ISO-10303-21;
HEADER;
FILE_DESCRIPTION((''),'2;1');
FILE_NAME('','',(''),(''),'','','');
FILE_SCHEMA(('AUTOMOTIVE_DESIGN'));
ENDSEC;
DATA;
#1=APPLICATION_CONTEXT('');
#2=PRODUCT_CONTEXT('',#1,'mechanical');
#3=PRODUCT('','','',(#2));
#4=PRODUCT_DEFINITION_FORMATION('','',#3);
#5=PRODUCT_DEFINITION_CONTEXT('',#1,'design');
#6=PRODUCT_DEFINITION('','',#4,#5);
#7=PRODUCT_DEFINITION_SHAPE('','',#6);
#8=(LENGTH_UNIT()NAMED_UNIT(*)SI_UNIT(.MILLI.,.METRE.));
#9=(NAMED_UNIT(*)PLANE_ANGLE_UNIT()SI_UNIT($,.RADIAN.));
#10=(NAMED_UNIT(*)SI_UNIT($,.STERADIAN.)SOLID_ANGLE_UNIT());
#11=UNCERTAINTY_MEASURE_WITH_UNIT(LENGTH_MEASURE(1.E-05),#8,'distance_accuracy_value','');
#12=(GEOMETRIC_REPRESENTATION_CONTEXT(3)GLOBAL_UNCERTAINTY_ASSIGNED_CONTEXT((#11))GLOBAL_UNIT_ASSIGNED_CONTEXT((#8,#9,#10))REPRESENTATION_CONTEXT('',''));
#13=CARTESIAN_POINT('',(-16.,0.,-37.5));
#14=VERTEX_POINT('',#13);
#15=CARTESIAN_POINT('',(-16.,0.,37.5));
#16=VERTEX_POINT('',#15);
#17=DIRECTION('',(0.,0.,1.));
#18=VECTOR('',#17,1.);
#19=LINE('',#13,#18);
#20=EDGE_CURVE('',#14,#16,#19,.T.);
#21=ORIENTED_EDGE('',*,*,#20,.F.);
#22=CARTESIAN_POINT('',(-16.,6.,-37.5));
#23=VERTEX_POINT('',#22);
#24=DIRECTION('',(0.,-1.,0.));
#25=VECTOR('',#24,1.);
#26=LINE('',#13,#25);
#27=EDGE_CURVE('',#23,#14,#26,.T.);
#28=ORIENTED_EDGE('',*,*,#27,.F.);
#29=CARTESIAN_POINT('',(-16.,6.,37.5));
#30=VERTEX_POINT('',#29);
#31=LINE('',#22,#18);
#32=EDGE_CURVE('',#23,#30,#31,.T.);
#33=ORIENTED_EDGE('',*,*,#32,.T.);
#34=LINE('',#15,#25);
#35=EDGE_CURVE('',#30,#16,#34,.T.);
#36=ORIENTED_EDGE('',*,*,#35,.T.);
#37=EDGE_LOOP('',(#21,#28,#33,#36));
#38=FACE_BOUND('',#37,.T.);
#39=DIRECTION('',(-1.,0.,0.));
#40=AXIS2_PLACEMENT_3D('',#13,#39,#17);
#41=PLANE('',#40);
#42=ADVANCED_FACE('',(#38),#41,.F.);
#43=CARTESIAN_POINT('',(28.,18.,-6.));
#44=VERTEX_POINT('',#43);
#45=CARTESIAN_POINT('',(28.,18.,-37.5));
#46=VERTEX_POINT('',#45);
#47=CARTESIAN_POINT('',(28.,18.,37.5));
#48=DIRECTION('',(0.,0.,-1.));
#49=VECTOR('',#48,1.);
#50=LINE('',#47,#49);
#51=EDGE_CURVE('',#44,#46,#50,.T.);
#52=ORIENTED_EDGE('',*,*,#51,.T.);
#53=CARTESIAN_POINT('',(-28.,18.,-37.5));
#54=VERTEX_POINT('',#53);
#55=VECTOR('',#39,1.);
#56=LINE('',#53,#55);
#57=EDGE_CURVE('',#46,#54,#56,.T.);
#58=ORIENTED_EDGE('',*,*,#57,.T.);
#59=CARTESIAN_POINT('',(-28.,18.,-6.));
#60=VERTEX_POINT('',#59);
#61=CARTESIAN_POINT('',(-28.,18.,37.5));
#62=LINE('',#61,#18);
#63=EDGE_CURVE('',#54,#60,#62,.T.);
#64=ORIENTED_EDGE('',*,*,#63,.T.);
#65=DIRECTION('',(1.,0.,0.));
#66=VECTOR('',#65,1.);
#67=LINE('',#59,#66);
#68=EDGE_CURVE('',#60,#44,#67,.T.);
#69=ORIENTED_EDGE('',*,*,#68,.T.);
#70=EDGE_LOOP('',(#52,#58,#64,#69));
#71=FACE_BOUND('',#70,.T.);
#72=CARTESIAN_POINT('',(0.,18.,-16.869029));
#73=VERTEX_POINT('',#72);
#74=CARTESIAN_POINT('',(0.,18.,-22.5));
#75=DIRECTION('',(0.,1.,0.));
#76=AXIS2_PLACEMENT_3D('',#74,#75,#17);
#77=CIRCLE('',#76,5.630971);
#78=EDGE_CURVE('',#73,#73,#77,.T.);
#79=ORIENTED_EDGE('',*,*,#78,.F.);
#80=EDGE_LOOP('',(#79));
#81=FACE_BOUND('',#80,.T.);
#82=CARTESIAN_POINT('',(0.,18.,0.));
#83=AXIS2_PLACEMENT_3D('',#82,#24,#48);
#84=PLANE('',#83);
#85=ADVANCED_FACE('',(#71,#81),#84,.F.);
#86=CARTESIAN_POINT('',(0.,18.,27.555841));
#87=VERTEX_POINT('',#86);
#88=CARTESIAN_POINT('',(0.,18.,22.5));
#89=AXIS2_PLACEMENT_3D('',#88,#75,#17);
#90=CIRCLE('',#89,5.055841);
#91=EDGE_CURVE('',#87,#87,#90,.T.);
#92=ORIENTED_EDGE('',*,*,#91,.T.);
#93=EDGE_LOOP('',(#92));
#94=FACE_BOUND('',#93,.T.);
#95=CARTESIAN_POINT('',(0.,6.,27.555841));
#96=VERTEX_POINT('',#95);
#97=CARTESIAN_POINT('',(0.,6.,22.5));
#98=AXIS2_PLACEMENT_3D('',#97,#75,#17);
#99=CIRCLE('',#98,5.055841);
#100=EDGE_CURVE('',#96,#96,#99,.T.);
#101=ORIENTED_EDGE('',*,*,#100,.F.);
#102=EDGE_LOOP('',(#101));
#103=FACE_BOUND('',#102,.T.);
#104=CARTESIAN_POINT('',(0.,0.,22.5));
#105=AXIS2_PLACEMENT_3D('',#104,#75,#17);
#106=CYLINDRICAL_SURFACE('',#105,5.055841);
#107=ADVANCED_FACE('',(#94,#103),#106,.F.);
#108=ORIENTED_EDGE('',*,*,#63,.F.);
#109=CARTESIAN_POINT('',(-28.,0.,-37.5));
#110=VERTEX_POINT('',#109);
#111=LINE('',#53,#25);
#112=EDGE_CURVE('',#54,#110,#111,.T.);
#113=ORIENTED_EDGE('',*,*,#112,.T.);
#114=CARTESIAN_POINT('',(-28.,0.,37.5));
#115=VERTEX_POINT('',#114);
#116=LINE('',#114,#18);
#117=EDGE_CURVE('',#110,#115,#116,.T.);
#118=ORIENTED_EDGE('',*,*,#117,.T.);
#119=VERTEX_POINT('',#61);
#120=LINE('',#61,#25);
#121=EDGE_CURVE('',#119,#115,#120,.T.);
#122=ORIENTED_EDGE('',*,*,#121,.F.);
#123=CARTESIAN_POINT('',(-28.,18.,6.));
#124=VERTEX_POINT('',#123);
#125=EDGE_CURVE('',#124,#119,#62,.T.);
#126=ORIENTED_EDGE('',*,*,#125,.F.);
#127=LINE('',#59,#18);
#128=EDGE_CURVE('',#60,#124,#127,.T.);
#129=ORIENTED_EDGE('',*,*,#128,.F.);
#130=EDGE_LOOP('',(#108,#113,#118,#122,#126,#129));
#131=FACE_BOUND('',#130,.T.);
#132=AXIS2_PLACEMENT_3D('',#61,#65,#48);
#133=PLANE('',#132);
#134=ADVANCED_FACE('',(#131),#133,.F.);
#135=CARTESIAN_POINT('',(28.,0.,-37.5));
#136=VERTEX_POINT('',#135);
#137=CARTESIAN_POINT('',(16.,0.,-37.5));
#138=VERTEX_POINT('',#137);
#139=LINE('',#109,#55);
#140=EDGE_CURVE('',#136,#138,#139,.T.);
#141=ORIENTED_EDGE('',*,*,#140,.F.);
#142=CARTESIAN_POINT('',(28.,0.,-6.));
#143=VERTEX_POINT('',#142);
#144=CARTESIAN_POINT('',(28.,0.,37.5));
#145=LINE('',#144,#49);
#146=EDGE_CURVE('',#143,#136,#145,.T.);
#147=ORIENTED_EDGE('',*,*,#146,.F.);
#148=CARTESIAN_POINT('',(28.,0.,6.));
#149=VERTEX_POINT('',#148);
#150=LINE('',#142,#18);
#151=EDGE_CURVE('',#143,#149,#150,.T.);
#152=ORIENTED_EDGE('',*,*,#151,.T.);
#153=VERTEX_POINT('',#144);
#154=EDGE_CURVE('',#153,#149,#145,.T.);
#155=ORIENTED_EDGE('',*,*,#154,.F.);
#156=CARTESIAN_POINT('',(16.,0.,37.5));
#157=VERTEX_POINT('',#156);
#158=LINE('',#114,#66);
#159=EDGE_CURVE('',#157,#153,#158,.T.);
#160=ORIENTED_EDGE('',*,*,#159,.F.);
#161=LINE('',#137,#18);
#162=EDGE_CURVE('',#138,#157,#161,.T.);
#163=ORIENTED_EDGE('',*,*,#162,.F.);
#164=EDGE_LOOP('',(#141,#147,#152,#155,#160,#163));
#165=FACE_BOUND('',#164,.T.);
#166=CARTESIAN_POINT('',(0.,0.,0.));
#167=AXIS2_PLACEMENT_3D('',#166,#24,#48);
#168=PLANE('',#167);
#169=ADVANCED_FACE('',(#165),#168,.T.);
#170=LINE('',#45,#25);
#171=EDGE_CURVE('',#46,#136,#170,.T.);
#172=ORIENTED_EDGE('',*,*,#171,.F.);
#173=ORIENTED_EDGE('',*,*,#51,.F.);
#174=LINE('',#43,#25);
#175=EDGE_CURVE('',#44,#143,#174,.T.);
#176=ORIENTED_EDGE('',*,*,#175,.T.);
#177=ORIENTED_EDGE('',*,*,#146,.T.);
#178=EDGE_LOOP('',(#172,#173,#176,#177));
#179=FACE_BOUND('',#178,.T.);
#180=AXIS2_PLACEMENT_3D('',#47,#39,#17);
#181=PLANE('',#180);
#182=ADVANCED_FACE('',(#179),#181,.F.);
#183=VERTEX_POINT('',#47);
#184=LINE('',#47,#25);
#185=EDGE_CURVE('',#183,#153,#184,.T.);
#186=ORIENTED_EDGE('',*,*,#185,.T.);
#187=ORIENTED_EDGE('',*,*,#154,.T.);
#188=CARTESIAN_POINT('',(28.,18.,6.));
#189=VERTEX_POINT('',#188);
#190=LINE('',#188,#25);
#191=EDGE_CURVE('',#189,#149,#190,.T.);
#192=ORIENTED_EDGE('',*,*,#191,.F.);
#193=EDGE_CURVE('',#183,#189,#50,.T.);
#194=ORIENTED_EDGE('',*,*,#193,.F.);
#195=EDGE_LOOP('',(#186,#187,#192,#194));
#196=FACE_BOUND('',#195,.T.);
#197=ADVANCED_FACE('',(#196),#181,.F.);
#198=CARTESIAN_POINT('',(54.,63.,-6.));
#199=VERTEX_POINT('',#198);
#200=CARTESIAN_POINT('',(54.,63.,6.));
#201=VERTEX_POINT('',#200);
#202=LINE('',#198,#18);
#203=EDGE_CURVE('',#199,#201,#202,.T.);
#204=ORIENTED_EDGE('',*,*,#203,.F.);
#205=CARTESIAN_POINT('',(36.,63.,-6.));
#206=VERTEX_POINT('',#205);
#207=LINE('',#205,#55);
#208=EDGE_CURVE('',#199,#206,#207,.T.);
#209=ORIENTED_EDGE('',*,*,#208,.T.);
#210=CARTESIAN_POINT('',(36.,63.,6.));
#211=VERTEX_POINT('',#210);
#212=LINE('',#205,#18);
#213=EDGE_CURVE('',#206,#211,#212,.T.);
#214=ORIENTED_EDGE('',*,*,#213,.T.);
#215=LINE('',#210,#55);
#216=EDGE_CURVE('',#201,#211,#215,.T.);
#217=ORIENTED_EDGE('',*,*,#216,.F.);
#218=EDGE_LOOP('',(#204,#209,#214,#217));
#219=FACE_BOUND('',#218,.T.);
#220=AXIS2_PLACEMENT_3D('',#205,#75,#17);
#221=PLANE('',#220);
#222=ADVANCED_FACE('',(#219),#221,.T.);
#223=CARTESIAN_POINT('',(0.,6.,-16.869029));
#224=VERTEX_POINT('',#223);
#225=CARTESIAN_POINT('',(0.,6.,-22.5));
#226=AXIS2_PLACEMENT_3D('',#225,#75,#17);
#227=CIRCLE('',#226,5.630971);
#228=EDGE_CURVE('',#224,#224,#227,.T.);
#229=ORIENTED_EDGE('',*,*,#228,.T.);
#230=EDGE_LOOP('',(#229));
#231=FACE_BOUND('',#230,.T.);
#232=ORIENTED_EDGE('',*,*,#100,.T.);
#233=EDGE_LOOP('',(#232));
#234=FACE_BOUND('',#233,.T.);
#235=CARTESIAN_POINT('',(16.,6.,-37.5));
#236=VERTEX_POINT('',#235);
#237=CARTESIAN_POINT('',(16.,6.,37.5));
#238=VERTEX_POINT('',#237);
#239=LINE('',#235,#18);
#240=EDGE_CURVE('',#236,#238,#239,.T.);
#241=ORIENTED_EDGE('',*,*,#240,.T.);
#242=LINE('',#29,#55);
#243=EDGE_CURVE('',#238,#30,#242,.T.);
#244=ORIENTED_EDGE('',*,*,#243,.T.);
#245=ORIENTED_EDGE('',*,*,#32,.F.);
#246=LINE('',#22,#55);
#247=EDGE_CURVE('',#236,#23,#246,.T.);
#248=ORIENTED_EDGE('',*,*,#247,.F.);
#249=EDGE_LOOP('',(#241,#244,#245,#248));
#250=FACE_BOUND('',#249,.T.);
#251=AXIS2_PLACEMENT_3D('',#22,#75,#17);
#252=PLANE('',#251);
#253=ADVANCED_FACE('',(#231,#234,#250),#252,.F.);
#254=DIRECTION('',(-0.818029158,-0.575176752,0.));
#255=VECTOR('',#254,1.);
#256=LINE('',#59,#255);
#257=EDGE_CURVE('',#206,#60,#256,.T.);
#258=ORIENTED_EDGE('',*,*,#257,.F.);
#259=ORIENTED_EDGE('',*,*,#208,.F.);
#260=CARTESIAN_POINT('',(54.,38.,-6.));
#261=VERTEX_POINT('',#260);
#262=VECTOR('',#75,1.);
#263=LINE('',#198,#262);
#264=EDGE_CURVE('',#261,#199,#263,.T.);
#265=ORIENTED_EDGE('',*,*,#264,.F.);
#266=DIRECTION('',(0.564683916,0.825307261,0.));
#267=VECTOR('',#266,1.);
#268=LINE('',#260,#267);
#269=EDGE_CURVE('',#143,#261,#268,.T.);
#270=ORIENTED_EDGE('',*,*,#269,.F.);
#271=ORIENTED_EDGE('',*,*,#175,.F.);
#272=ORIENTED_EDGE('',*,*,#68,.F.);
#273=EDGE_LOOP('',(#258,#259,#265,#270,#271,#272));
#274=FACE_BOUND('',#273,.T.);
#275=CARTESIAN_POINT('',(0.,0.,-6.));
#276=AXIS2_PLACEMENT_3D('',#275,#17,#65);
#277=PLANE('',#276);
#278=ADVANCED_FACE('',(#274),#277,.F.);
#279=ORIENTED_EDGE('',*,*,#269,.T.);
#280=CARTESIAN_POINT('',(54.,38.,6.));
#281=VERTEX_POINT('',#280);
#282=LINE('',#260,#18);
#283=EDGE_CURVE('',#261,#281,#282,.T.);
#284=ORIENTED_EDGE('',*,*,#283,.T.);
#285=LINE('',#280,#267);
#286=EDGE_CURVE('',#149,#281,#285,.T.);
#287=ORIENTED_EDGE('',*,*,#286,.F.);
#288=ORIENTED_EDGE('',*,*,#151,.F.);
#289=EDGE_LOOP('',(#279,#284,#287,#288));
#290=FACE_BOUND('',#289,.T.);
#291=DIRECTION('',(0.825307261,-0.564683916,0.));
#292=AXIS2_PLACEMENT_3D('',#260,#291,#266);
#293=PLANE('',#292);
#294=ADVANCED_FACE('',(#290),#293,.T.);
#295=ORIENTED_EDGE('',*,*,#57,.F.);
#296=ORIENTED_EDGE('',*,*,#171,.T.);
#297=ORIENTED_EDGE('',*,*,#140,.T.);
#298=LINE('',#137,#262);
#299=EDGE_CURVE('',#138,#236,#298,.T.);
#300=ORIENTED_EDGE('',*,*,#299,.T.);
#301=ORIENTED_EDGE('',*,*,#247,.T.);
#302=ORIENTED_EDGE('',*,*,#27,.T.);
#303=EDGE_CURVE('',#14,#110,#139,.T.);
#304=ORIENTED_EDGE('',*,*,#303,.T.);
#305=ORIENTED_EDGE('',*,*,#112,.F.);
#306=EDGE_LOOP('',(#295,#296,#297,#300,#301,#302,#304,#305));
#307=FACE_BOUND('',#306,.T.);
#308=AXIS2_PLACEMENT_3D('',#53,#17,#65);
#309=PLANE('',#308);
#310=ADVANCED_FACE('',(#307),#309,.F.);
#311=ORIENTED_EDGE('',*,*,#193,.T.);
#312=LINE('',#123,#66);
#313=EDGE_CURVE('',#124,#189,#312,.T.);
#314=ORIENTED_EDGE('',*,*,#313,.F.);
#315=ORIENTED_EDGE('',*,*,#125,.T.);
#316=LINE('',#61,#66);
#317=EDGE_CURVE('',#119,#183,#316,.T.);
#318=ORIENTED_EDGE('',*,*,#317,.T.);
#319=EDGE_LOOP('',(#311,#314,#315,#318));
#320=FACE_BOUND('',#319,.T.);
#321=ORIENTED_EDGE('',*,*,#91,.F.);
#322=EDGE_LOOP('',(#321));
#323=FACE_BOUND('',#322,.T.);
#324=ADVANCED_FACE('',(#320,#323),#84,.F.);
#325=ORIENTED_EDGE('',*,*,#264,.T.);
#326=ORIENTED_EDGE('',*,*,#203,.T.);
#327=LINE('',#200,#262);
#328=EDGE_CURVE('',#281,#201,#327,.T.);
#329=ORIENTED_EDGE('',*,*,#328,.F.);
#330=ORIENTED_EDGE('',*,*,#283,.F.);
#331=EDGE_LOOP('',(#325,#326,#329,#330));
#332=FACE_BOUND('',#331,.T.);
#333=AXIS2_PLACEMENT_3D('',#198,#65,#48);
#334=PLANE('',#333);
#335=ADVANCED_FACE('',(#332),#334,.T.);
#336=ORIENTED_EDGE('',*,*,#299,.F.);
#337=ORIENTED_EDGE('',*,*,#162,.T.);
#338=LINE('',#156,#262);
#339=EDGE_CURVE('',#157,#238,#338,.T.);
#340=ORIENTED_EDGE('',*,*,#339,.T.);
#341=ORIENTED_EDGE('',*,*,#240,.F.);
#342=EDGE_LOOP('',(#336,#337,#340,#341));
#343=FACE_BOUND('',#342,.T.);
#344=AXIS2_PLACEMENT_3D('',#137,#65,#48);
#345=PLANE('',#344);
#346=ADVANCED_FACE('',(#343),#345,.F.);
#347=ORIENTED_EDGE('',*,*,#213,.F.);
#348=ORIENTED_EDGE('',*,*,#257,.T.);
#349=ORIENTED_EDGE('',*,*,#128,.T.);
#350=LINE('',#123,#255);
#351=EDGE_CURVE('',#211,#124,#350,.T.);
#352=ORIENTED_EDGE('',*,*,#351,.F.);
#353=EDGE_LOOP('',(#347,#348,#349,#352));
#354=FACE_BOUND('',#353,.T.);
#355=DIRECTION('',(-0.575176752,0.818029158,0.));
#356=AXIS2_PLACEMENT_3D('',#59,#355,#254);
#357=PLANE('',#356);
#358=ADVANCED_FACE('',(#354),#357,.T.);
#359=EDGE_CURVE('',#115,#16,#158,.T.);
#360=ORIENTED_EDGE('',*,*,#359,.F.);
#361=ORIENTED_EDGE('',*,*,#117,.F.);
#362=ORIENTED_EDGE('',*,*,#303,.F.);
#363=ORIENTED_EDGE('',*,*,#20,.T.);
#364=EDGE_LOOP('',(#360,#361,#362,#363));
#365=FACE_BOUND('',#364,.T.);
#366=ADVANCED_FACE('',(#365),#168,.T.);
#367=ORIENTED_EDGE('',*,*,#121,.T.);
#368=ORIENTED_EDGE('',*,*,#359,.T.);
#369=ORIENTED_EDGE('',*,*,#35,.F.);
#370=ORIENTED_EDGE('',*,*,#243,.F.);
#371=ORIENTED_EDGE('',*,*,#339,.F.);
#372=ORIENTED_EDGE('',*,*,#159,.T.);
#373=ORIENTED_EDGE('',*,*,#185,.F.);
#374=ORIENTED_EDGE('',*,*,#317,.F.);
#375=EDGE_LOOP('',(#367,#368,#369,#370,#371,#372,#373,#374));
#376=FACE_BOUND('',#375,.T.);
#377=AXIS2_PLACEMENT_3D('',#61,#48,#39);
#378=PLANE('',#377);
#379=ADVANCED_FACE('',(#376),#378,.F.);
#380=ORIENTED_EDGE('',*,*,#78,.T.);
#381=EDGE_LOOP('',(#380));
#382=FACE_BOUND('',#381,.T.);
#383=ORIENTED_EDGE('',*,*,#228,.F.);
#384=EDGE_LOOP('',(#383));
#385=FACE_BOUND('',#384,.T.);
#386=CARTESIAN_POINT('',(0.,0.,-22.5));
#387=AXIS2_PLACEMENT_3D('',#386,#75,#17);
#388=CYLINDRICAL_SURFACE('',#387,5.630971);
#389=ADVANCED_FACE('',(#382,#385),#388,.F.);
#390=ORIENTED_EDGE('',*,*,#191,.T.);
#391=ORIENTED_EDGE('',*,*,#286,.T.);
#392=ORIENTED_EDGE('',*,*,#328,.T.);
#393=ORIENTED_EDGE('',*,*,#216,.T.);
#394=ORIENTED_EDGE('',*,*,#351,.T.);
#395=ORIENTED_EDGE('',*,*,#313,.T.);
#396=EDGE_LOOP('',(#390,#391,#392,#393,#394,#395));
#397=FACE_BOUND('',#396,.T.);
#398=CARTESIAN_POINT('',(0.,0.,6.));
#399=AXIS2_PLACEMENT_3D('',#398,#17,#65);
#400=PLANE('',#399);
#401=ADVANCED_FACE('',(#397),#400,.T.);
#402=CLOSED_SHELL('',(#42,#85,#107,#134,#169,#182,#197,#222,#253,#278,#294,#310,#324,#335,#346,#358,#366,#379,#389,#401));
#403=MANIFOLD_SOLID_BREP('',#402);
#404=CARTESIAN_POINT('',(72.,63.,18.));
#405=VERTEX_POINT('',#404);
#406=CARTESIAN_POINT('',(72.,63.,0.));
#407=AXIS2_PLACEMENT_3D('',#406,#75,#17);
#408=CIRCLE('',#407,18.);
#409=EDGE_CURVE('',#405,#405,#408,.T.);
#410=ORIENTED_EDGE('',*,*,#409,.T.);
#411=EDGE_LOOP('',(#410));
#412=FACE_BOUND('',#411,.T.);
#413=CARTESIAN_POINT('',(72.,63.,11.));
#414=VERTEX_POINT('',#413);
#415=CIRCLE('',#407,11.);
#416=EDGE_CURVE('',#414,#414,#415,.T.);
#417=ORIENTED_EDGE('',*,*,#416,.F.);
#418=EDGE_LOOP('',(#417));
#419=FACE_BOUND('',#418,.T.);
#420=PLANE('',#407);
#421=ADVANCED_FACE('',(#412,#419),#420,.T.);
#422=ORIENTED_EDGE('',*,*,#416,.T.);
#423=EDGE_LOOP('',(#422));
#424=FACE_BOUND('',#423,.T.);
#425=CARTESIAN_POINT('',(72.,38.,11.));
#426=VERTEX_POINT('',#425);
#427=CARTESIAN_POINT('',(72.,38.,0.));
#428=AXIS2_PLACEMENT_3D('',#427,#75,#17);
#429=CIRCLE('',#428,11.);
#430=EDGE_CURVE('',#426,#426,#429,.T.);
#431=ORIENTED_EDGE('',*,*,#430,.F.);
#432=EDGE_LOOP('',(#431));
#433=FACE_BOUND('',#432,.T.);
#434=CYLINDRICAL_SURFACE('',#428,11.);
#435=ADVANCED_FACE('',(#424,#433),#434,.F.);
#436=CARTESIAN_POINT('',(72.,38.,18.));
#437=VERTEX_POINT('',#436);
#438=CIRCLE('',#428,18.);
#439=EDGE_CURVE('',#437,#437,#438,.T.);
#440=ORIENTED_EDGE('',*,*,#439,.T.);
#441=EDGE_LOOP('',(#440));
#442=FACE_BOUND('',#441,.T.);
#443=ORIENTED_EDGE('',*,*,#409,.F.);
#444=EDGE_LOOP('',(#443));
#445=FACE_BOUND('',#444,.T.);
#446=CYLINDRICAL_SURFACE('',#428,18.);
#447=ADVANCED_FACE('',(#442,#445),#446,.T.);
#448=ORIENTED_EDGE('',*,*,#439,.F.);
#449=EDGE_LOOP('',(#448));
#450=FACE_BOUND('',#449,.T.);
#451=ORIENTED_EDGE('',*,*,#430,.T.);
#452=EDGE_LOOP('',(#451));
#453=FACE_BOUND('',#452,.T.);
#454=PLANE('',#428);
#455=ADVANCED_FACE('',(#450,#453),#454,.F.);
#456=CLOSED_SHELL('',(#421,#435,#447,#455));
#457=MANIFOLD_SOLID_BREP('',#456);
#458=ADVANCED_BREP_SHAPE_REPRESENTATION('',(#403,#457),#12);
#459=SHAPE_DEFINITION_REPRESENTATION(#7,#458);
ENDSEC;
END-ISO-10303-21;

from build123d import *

# Parameters (mm, degrees)
SKETCH1_W           = 56
SKETCH1_H           = 75
BOSS_EXTRUDE1_DEPTH = 18
SKETCH2_W           = 32
SKETCH2_H           = 6
CUT_EXTRUDE1_DEPTH  = 83.054859698
SKETCH3_R           = 5.055841373
SKETCH3_R_2         = 5.630971307
CUT_EXTRUDE2_DEPTH  = 51.142297514
BOSS_EXTRUDE2_DEPTH = 12
SKETCH8_R           = 18
SKETCH8_R_2         = 11
BOSS_EXTRUDE3_DEPTH = 25
BOSS_EXTRUDE4_DEPTH = 12


with BuildPart() as part:
    # Sketch1 → Boss-Extrude1 (new body)
    with BuildSketch(Plane(origin=(0, 0, 0), x_dir=(1, 0, 0), z_dir=(0, 1, 0))):
        Rectangle(SKETCH1_W, SKETCH1_H)
    extrude(amount=BOSS_EXTRUDE1_DEPTH)

    # Sketch2 → Cut-Extrude1 (cut, through all)
    with BuildSketch(Plane.XY.offset(37.5)):
        with Locations((0, 3)):
            Rectangle(SKETCH2_W, SKETCH2_H)
    extrude(amount=-CUT_EXTRUDE1_DEPTH, mode=Mode.SUBTRACT)

    # Sketch3 → Cut-Extrude2 (cut, through all)
    with BuildSketch(Plane(origin=(0, 18, 0), x_dir=(1, 0, 0), z_dir=(0, 1, 0))):
        with Locations(Location((0, -22.5, 0), (0, 0, 270))):
            Circle(SKETCH3_R)
        with Locations(Location((0, 22.5, 0), (0, 0, 270))):
            Circle(SKETCH3_R_2)
    extrude(amount=-CUT_EXTRUDE2_DEPTH, mode=Mode.SUBTRACT)

    # Sketch4 → Boss-Extrude2 (add)
    with BuildSketch(Plane.XY.offset(6)):
        Polygon((-28, 18), (36, 63), (36, 18), align=None)
    extrude(amount=-BOSS_EXTRUDE2_DEPTH)

    # Sketch9 → Boss-Extrude4 (add)
    with BuildSketch(Plane.XY.offset(6)):
        Polygon((36, 63), (54, 63), (54, 38), (28, 0), (28, 18), (36, 18), align=None)
    extrude(amount=-BOSS_EXTRUDE4_DEPTH)


with BuildPart() as body_2:
    # Sketch8 → Boss-Extrude3 (new body)
    with BuildSketch(Plane.ZX.offset(63)):
        with Locations((0, 72)):
            Circle(SKETCH8_R)
        with Locations((0, 72)):
            Circle(SKETCH8_R_2, mode=Mode.SUBTRACT)
    extrude(amount=-BOSS_EXTRUDE3_DEPTH)


solid = Compound([part.part, body_2.part])
